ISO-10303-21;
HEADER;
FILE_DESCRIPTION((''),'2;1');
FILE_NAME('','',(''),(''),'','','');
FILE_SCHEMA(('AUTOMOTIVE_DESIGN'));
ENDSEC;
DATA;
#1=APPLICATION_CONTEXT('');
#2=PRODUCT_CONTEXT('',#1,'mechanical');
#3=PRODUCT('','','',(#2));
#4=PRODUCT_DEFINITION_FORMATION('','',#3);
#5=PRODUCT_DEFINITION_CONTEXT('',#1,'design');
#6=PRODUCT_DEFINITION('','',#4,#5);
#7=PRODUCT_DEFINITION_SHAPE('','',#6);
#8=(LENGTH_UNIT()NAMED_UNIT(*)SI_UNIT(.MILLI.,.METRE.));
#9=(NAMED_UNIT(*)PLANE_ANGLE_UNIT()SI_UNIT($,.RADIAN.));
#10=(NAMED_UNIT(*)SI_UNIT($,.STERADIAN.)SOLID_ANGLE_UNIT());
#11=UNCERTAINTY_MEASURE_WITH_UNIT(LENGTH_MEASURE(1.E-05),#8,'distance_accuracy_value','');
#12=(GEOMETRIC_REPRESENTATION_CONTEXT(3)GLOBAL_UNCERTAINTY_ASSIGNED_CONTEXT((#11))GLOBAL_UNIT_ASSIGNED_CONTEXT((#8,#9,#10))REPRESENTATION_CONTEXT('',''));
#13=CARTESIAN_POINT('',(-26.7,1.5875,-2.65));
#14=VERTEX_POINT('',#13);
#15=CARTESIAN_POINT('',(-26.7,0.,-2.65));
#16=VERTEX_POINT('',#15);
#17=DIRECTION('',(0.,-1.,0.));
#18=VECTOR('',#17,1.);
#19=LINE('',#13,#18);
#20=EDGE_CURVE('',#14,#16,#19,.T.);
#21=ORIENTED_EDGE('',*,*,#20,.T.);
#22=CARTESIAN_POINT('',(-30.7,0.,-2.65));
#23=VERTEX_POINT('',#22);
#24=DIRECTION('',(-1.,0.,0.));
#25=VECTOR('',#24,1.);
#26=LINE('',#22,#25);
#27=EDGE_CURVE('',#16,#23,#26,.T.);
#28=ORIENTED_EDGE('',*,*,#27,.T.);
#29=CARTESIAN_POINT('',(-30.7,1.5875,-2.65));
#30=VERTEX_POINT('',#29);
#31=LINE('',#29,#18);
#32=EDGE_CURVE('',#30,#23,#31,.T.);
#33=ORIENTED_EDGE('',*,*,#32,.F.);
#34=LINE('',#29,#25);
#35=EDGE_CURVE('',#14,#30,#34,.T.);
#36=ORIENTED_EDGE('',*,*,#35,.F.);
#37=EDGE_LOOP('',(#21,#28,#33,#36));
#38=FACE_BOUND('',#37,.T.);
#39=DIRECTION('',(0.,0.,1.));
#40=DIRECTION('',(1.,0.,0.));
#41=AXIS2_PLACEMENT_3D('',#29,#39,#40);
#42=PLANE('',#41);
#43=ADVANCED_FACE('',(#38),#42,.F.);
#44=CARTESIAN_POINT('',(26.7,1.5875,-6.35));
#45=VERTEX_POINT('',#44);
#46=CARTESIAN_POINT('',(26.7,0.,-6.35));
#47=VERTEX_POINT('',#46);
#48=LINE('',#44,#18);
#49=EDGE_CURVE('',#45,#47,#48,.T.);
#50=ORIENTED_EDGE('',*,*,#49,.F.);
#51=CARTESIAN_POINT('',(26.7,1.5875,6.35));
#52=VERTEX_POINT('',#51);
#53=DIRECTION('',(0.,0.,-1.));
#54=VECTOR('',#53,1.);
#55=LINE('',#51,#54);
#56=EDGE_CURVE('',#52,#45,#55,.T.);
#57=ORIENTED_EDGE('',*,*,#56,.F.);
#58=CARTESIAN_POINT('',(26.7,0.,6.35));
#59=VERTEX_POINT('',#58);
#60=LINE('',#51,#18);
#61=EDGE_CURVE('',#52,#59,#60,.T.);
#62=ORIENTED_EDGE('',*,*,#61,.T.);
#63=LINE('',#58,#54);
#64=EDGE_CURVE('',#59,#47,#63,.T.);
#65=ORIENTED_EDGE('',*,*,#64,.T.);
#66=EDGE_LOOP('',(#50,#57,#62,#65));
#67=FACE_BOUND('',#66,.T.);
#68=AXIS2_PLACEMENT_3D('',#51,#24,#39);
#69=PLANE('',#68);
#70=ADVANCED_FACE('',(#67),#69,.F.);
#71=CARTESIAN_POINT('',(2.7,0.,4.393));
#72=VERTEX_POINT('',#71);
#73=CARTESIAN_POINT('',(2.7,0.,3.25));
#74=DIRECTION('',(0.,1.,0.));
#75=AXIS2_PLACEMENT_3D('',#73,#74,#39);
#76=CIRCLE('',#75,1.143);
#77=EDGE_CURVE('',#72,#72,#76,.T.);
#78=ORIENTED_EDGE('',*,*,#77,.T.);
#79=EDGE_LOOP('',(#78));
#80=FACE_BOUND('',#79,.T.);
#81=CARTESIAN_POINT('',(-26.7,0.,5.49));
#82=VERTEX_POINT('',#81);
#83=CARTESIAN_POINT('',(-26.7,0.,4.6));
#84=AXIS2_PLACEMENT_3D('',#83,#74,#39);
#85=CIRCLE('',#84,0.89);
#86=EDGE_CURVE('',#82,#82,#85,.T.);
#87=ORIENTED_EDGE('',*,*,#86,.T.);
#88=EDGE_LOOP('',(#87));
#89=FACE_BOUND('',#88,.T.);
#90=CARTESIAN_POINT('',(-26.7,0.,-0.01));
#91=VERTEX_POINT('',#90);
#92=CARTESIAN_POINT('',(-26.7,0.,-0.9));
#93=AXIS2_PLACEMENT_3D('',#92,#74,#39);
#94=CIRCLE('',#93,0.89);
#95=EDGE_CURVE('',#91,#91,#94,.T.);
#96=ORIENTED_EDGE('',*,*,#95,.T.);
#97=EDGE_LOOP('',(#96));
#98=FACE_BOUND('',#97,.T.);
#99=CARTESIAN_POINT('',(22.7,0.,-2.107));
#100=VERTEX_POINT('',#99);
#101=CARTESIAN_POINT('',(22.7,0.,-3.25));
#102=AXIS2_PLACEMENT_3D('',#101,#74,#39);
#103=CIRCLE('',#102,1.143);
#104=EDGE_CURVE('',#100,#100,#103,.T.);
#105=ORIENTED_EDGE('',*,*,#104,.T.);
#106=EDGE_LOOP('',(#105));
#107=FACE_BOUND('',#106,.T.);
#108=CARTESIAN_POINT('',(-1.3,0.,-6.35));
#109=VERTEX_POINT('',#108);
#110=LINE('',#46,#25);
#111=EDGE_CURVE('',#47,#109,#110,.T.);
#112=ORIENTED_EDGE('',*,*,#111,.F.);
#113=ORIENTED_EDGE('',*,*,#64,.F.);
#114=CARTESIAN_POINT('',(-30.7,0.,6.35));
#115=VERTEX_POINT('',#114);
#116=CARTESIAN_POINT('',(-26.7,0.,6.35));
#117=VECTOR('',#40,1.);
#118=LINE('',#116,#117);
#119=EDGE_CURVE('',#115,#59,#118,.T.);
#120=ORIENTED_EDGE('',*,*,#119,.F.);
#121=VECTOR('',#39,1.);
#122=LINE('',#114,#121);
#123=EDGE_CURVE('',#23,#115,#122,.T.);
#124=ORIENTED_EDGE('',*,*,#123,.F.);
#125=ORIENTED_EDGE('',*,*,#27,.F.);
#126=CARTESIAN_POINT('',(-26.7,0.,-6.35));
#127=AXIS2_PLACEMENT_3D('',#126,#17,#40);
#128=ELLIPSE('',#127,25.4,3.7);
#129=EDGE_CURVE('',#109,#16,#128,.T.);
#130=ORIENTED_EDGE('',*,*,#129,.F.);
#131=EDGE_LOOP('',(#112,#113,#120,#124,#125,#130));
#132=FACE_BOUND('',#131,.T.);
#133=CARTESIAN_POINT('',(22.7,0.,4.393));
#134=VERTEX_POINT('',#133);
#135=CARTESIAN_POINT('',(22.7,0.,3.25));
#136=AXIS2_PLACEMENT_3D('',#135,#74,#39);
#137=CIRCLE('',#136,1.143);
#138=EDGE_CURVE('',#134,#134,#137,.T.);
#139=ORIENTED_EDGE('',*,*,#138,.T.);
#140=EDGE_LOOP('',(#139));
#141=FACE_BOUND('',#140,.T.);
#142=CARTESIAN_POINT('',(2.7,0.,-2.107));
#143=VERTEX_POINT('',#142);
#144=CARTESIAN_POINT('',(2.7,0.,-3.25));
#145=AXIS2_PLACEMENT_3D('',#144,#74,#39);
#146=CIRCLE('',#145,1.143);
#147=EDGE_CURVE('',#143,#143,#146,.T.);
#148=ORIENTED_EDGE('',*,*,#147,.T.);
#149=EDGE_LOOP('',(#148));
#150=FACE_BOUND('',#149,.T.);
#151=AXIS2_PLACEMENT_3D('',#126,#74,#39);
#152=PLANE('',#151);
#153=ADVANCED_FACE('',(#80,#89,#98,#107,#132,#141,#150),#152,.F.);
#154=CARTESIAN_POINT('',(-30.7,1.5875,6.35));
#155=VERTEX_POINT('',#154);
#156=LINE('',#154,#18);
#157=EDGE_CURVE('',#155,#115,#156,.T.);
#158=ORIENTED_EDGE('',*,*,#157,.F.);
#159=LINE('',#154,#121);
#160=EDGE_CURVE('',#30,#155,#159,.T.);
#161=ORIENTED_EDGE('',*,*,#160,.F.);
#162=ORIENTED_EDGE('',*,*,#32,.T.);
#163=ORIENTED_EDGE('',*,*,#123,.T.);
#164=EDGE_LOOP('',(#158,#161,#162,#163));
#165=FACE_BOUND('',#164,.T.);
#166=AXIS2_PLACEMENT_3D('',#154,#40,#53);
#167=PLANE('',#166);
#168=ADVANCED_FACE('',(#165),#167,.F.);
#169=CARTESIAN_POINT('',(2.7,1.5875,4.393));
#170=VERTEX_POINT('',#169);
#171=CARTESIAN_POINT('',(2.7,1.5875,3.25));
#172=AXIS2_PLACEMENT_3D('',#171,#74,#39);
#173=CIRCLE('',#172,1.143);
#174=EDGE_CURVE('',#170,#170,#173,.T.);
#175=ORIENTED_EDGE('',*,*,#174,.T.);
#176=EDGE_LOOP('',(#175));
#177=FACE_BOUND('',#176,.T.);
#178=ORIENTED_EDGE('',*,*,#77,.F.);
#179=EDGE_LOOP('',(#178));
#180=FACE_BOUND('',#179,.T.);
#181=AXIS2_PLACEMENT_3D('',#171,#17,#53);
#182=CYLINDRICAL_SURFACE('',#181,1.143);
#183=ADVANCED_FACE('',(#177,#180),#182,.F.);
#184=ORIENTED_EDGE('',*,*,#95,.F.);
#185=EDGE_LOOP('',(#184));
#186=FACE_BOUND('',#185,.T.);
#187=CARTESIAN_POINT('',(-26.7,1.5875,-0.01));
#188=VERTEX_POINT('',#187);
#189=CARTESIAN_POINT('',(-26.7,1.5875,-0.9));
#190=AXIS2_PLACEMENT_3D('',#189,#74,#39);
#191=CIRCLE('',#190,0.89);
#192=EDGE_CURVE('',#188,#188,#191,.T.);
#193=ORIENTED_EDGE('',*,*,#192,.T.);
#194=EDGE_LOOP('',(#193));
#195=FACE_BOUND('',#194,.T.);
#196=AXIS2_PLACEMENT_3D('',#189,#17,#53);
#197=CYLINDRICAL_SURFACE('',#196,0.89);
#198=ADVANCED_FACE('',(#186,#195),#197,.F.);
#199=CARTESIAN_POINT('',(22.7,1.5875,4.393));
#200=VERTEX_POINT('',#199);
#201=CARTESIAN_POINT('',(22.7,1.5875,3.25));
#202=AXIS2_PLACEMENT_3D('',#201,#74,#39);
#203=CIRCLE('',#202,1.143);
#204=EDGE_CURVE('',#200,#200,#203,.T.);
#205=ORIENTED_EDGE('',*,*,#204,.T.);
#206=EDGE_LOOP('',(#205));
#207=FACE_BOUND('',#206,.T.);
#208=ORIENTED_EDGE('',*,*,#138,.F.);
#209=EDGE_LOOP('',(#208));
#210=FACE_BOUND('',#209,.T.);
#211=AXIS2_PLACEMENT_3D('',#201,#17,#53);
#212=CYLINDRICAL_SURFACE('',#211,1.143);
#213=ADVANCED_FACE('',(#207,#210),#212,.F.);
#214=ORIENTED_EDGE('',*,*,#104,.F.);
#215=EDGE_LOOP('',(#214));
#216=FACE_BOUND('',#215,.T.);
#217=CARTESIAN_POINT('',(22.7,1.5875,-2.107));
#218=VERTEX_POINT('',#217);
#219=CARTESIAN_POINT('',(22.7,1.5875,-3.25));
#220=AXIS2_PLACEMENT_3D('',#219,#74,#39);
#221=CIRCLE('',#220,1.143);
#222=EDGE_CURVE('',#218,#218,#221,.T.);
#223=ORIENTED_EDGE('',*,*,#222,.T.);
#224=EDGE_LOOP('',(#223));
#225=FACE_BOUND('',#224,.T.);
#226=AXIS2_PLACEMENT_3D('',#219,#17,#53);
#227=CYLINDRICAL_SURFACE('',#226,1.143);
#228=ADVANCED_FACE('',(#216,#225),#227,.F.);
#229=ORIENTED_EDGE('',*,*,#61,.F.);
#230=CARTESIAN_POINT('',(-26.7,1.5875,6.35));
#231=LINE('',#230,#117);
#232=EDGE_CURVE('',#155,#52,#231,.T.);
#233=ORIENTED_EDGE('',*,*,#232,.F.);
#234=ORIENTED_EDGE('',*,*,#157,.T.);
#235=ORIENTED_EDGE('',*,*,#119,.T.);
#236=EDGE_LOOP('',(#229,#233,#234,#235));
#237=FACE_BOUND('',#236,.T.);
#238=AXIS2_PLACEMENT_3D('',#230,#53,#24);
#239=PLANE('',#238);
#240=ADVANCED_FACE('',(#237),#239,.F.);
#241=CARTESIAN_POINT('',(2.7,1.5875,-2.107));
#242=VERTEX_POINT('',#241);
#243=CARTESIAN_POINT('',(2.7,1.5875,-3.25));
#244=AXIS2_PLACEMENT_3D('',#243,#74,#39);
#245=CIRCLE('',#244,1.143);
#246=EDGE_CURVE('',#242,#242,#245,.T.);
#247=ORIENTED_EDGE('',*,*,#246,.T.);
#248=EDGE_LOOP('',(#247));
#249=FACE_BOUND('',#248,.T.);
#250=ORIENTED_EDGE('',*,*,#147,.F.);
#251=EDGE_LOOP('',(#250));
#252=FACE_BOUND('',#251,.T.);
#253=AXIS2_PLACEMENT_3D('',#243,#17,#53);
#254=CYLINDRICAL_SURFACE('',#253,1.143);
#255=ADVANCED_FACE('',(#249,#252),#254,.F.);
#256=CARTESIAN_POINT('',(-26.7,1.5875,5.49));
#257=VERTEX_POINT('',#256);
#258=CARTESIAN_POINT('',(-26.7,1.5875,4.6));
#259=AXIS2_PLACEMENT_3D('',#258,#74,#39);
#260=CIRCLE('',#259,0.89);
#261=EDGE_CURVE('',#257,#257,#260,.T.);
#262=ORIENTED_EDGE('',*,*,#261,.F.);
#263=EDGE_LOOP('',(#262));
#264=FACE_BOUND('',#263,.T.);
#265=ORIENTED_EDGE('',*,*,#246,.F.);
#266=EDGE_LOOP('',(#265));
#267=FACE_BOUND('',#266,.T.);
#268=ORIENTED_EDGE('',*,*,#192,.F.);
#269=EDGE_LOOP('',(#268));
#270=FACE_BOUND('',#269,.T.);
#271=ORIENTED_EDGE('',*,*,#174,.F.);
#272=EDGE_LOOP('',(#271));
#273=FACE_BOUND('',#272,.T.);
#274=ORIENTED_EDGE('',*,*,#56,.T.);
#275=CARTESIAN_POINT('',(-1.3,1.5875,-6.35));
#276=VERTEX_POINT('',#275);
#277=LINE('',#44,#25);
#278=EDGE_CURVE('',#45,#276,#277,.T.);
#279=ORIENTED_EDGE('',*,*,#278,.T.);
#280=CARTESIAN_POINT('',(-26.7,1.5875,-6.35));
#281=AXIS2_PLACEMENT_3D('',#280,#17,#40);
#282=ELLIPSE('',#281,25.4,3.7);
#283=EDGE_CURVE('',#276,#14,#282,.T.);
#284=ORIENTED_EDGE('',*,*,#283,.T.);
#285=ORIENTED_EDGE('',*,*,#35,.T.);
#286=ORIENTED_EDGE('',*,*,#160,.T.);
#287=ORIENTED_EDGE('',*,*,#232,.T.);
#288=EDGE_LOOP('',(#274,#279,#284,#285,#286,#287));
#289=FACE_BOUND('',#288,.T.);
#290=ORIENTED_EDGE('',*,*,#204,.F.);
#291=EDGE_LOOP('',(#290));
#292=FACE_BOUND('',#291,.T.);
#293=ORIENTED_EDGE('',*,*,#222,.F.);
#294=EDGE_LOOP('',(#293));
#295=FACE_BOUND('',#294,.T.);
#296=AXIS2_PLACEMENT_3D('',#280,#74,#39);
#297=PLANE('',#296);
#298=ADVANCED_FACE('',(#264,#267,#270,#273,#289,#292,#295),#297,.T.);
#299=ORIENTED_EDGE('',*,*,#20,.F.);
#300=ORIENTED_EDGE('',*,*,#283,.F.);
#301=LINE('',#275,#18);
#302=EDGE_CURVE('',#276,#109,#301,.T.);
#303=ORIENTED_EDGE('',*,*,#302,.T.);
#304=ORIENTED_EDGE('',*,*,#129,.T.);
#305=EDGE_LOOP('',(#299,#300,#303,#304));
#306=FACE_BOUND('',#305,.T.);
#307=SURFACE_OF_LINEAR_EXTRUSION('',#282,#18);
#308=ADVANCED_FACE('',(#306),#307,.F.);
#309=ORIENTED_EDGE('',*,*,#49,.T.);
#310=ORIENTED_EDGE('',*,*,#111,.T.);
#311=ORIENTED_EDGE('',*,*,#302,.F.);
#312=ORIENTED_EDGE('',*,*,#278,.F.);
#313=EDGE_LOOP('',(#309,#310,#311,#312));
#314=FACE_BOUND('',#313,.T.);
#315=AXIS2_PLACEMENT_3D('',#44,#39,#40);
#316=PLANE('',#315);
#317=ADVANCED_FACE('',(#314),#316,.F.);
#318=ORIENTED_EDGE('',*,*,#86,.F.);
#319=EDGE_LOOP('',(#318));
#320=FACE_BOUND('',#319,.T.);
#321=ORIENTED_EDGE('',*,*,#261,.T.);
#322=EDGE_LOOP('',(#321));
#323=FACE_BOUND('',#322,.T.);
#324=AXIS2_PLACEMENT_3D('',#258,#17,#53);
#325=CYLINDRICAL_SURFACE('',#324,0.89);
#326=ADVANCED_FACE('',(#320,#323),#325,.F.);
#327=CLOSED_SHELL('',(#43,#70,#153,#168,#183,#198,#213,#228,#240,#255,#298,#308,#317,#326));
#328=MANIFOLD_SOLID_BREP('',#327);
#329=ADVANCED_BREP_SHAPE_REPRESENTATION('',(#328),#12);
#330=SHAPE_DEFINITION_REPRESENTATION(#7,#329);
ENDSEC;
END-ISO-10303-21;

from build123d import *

# Parameters (mm, degrees)
SKETCH1_R           = 0.89
SKETCH1_R_2         = 1.143
BOSS_EXTRUDE1_DEPTH = 1.5875


with BuildPart() as part:
    # Sketch1 → Boss-Extrude1 (new body)
    with BuildSketch(Plane(origin=(0, 0, 0), x_dir=(1, 0, 0), z_dir=(0, 1, 0))):
        with BuildLine():
            Line((-26.7, -6.35), (26.7, -6.35))
            Line((26.7, -6.35), (26.7, 6.35))
            Line((26.7, 6.35), (-1.3, 6.35))
            add(Edge.make_bspline(
                [(-26.7, 2.65), (-1.3, 2.65), (-1.3, 6.35)],
                knots=[4.71238898, 4.71238898, 4.71238898, 6.283185307, 6.283185307, 6.283185307], degree=2, weights=[1, 0.707106781, 1]))
            Line((-26.7, 2.65), (-30.7, 2.65))
            Line((-30.7, 2.65), (-30.7, -6.35))
            Line((-30.7, -6.35), (-26.7, -6.35))
        make_face()
        with Locations(Location((-26.7, 0.9, 0), (0, 0, 270))):
            Circle(SKETCH1_R, mode=Mode.SUBTRACT)
        with Locations(Location((-26.7, -4.6, 0), (0, 0, 270))):
            Circle(SKETCH1_R, mode=Mode.SUBTRACT)
        with Locations(Location((2.7, 3.25, 0), (0, 0, 270))):
            Circle(SKETCH1_R_2, mode=Mode.SUBTRACT)
        with Locations(Location((2.7, -3.25, 0), (0, 0, 270))):
            Circle(SKETCH1_R_2, mode=Mode.SUBTRACT)
        with Locations(Location((22.7, 3.25, 0), (0, 0, 270))):
            Circle(SKETCH1_R_2, mode=Mode.SUBTRACT)
        with Locations(Location((22.7, -3.25, 0), (0, 0, 270))):
            Circle(SKETCH1_R_2, mode=Mode.SUBTRACT)
    extrude(amount=BOSS_EXTRUDE1_DEPTH)


solid = part.part
